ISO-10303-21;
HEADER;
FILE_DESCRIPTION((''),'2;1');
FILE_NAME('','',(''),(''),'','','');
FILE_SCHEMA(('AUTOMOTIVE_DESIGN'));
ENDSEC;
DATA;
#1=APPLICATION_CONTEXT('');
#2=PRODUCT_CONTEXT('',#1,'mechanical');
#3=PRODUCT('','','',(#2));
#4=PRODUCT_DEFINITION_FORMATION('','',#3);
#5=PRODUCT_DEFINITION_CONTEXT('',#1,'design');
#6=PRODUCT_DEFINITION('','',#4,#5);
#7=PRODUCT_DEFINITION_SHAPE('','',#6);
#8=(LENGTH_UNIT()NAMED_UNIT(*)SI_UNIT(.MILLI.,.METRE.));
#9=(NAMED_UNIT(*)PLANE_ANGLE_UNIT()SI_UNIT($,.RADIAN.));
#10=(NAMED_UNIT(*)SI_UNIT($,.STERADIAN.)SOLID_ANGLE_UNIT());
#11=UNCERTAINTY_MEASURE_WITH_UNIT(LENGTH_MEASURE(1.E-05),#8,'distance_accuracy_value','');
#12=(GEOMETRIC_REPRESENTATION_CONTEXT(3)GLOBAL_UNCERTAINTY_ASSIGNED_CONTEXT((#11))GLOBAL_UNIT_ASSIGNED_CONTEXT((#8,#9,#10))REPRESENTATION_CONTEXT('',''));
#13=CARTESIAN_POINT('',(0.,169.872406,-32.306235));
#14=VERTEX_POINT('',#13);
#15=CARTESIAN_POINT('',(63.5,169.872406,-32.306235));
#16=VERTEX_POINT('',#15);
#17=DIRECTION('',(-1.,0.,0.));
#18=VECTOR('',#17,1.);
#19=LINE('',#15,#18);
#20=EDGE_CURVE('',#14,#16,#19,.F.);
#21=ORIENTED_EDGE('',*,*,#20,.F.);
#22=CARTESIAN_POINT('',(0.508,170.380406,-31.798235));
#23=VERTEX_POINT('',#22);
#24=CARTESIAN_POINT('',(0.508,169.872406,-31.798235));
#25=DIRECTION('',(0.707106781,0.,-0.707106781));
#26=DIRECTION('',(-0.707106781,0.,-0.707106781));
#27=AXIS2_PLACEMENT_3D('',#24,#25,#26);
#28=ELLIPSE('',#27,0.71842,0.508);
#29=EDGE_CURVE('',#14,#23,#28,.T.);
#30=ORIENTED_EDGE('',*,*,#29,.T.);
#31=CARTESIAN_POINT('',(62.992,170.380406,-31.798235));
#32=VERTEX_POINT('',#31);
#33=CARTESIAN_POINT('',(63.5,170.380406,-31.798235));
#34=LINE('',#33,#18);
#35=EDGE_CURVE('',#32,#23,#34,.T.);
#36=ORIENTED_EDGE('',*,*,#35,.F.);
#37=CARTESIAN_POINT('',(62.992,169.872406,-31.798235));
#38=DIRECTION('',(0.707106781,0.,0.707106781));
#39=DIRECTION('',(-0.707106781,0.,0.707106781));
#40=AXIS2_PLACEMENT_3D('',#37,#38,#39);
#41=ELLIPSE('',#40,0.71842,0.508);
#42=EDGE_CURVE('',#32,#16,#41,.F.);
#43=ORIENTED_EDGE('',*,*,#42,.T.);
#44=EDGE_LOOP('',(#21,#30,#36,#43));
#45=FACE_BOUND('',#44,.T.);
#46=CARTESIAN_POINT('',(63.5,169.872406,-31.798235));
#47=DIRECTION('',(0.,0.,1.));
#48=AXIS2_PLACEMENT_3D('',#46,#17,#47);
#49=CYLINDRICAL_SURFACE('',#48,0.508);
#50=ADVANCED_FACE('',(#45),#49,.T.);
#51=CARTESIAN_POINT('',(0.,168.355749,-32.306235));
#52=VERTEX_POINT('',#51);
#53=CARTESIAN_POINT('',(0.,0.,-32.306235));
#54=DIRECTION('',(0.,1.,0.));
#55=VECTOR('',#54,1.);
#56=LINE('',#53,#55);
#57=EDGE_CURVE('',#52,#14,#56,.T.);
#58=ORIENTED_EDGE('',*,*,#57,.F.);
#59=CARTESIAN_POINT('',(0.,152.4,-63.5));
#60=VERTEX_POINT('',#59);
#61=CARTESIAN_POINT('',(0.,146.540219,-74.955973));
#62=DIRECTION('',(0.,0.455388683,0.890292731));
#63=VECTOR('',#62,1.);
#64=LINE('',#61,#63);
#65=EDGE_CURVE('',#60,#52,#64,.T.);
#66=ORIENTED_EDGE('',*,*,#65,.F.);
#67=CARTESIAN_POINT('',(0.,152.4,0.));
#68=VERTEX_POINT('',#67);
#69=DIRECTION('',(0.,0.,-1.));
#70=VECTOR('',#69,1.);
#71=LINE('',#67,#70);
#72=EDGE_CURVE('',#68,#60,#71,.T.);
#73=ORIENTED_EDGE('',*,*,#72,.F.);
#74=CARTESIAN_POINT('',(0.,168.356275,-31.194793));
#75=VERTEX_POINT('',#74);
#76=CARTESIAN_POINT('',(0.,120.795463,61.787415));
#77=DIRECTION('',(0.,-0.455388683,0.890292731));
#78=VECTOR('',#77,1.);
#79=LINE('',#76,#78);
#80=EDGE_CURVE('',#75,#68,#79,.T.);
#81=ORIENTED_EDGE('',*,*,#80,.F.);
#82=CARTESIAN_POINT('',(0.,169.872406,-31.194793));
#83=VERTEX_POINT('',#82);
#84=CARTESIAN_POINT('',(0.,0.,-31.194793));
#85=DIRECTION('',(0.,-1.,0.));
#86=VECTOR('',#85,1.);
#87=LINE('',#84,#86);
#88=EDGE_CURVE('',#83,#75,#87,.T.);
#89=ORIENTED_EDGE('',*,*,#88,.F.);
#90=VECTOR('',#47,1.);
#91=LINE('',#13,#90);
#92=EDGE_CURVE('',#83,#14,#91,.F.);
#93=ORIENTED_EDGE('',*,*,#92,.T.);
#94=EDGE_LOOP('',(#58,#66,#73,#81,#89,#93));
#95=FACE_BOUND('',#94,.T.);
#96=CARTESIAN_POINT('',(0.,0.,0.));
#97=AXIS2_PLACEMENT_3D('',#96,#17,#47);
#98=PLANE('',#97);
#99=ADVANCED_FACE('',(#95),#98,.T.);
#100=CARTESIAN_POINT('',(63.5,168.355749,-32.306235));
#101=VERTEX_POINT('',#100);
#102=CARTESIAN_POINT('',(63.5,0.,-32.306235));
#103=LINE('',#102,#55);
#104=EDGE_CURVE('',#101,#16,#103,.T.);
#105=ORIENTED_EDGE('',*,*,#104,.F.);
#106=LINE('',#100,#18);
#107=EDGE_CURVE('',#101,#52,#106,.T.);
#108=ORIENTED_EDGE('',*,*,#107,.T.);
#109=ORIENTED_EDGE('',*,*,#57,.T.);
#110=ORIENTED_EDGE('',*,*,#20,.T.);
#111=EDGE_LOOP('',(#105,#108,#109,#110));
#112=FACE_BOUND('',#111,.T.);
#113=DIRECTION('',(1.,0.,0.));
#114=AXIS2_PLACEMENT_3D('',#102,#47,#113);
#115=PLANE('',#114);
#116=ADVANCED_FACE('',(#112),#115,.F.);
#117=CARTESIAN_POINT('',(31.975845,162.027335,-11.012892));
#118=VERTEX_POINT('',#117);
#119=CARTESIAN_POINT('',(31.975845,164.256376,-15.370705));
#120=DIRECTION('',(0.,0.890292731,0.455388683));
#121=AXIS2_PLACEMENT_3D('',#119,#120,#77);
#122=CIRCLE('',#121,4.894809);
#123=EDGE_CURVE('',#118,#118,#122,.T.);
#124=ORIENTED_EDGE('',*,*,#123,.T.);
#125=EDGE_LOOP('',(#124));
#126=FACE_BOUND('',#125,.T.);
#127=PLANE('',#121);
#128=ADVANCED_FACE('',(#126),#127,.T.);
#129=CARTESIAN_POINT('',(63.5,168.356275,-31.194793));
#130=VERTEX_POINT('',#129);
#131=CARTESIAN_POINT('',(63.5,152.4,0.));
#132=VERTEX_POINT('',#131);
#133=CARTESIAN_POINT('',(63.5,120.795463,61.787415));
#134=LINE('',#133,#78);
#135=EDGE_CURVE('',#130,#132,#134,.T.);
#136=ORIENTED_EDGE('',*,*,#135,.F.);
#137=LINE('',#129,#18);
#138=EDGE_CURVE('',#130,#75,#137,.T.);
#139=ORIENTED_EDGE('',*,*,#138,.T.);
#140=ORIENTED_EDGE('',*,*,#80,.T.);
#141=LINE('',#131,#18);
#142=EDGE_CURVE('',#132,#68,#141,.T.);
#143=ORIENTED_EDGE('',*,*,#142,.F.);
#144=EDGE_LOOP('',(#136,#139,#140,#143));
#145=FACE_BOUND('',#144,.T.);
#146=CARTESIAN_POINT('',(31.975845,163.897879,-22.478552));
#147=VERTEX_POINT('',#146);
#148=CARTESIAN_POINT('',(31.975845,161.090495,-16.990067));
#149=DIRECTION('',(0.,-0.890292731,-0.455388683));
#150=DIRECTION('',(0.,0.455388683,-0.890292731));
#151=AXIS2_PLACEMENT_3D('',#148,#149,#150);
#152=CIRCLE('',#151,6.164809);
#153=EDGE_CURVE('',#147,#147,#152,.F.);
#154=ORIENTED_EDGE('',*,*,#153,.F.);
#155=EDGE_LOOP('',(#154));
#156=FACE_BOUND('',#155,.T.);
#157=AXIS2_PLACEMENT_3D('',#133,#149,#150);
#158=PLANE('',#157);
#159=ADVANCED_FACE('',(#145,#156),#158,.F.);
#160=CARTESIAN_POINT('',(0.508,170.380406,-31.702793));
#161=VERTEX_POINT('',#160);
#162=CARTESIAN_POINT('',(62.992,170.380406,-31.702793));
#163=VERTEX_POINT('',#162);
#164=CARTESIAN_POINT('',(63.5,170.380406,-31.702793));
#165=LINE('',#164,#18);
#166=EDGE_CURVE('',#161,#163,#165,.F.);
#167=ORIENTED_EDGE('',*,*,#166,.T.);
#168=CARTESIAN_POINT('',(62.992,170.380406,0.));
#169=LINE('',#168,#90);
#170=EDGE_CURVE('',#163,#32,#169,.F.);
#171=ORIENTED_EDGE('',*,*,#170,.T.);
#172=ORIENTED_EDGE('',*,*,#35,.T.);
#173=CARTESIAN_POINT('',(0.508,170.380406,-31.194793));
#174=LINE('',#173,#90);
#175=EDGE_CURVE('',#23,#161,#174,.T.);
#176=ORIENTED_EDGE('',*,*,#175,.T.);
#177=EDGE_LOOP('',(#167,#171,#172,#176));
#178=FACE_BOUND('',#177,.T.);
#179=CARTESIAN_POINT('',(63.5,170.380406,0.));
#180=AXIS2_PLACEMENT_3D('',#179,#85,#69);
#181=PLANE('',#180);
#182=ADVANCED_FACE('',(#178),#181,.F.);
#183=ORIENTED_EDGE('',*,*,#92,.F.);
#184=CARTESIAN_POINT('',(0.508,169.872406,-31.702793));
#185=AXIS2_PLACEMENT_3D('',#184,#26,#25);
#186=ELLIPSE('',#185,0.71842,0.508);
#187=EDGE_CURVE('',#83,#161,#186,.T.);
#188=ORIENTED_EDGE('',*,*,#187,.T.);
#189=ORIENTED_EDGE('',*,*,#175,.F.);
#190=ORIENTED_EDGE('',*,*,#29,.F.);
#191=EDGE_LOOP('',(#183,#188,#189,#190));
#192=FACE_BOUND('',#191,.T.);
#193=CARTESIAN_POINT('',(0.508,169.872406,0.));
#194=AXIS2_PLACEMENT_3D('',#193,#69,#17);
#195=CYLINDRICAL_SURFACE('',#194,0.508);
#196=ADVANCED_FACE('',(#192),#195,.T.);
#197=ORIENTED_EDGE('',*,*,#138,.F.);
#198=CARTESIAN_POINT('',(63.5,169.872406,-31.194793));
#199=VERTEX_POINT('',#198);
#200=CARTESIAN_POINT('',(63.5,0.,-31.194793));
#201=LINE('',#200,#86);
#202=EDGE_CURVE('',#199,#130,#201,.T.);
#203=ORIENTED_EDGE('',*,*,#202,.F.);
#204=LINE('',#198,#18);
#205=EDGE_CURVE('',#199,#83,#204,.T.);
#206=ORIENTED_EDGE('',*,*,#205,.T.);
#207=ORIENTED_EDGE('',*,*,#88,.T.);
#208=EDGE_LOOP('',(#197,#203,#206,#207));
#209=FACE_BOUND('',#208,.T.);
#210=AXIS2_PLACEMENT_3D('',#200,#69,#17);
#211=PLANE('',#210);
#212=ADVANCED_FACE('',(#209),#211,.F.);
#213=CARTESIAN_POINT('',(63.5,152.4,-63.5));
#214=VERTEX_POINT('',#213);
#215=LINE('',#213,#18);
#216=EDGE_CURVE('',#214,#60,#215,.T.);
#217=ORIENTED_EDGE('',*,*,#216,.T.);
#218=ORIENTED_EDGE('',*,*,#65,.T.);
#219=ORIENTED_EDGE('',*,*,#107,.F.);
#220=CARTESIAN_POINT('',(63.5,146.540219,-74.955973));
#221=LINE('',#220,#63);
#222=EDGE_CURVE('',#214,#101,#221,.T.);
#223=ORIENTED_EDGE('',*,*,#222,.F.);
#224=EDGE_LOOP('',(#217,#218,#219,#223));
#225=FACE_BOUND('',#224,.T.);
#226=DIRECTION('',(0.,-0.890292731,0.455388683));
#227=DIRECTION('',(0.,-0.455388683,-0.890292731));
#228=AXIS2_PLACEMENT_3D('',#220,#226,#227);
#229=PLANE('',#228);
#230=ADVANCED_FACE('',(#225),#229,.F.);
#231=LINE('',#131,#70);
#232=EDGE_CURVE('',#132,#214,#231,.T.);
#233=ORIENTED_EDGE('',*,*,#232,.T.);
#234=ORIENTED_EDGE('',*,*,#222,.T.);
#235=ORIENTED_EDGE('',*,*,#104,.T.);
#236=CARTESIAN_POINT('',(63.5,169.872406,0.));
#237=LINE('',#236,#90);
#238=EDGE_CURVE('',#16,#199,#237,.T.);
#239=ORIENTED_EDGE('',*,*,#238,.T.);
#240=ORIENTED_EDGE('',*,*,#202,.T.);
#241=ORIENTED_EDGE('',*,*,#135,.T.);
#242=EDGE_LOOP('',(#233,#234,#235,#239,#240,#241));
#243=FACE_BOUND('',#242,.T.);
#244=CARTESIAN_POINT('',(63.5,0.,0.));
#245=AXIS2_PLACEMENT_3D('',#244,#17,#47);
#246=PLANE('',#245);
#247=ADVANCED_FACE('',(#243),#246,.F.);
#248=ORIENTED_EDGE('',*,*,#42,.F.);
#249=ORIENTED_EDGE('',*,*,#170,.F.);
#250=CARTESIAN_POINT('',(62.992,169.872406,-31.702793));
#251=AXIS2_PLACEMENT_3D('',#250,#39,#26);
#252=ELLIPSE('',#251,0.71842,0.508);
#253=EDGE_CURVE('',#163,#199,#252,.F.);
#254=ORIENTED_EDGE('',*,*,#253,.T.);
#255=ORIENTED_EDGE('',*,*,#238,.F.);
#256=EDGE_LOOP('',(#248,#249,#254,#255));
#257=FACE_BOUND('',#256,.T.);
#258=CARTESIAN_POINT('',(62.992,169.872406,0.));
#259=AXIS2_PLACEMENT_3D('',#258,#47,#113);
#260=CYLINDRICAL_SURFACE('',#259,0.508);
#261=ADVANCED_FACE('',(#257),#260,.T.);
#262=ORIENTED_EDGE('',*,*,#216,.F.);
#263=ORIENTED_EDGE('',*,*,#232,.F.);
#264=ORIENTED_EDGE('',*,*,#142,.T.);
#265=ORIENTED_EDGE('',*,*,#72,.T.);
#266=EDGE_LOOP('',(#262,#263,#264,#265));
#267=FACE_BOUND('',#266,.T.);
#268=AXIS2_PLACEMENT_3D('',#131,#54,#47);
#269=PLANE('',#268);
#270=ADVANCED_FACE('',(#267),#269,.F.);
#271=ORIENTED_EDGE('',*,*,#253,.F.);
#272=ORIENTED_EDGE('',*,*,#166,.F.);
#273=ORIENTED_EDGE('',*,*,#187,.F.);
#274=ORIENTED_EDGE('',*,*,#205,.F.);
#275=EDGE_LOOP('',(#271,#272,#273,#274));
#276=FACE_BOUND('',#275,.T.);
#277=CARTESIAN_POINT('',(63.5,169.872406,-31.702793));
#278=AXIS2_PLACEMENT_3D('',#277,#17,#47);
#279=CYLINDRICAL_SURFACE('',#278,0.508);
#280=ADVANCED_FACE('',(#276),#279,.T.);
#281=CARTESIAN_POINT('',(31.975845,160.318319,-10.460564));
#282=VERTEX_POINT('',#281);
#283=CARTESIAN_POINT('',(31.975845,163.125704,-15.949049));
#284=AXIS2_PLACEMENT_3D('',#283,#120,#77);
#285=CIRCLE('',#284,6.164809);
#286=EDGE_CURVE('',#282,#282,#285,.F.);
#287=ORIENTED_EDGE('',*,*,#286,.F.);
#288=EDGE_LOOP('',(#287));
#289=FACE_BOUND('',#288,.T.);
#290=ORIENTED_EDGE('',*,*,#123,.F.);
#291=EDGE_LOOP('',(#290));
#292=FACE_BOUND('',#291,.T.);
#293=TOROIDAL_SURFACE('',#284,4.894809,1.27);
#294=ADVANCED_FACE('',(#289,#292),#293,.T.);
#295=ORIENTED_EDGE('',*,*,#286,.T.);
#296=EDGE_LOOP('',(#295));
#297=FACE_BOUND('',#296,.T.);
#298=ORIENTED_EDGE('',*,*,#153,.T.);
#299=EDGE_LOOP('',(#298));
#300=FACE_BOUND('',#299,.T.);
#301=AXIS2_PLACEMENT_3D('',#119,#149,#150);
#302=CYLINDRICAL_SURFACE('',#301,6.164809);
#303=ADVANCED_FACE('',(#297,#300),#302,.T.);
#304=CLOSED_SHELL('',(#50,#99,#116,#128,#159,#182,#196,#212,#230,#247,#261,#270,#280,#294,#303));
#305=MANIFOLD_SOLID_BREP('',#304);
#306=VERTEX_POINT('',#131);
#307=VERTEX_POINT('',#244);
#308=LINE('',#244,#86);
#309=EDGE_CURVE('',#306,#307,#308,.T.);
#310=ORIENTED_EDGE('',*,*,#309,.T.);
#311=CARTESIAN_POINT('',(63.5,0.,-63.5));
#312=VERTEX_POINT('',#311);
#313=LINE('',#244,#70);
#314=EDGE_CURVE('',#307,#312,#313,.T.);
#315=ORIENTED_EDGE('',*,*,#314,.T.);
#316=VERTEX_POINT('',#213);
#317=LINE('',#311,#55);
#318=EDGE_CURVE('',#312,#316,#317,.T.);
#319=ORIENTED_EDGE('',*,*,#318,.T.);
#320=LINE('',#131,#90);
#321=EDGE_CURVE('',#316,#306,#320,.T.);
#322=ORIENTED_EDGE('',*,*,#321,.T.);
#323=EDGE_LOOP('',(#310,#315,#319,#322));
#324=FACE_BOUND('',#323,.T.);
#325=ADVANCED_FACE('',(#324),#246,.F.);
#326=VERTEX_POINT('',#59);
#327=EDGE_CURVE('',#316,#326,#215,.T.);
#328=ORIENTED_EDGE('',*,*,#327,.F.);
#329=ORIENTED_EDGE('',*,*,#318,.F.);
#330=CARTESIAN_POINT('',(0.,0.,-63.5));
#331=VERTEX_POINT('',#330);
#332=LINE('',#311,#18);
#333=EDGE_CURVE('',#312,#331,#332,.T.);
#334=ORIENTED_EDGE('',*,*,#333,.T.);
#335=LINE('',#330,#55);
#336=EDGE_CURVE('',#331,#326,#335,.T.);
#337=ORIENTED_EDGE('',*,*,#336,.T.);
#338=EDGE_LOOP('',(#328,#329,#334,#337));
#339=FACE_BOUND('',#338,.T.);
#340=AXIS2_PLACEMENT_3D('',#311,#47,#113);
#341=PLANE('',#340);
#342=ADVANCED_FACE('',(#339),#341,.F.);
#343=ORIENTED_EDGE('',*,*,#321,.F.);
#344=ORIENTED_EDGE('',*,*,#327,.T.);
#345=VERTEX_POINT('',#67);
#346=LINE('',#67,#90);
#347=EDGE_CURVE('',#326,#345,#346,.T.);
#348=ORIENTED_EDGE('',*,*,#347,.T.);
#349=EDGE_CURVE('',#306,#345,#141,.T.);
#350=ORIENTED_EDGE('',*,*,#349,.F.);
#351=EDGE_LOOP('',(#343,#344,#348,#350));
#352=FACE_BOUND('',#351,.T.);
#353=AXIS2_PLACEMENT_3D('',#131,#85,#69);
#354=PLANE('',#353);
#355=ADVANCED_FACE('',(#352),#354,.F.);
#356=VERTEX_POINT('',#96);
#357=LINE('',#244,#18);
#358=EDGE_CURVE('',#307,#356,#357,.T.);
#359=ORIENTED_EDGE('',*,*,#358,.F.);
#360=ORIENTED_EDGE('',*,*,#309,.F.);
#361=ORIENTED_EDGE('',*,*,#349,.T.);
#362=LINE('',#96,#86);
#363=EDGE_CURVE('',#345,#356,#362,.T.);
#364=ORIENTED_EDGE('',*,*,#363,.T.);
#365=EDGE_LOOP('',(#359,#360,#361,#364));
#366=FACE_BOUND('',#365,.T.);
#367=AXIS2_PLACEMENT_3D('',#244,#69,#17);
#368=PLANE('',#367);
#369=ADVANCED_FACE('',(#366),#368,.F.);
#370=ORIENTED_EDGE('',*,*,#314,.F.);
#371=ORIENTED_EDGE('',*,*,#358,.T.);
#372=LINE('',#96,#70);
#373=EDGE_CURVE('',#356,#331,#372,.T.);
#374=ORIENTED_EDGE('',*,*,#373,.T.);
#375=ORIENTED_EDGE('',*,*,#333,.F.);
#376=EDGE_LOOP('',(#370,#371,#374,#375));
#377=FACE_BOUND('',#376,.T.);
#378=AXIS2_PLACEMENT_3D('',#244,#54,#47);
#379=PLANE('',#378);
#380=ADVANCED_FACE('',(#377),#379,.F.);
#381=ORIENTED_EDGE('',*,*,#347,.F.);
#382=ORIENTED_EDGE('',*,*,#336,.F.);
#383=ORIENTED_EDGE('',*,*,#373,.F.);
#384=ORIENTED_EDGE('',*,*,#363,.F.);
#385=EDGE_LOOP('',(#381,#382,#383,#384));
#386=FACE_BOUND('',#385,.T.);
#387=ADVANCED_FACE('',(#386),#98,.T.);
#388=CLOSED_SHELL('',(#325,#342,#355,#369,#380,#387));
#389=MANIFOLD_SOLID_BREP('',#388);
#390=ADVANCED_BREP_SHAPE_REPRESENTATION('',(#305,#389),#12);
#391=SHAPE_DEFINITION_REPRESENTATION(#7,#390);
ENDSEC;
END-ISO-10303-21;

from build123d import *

# Parameters (mm, degrees)
SKETCH3_W           = 63.5
SKETCH3_H           = 152.4
BOSS_EXTRUDE3_DEPTH = 63.5
BOSS_EXTRUDE5_DEPTH = 63.5
FILLET5_R           = 0.508
SKETCH6_R           = 6.164809323
BOSS_EXTRUDE6_DEPTH = 3.556
FILLET6_R           = 1.27


with BuildPart() as part:
    # Sketch3 → Boss-Extrude3 (new body)
    with BuildSketch(Plane(origin=(0, 0, 0), x_dir=(0, 0, -1), z_dir=(1, 0, 0))):
        with Locations((31.75, 76.2)):
            Rectangle(SKETCH3_W, SKETCH3_H)
    extrude(amount=BOSS_EXTRUDE3_DEPTH)


with BuildPart() as body_2:
    # Sketch5 → Boss-Extrude5 (new body)
    with BuildSketch(Plane.ZY):
        Polygon((-31.75, 168.640265914), (0, 152.4), (-63.5, 152.4), align=None)
        Polygon((-32.306234982, 170.380405738), (-32.306234982, 168.355749252), (-31.75, 168.640265914), (-31.194792849, 168.356274992), (-31.194792849, 170.380405738), align=None)
    extrude(amount=-BOSS_EXTRUDE5_DEPTH)

    # Fillet5
    fillet5_edges = [body_2.edges().sort_by_distance(p)[0] for p in [
        (31.75, 170.380405738, -32.306234982),
        (31.75, 170.380405738, -31.194792849),
        (63.5, 170.380405738, -31.750513916),
        (0, 170.380405738, -31.750513916),
    ]]
    fillet(fillet5_edges, radius=FILLET5_R)

    # Sketch6 → Boss-Extrude6 (add)
    with BuildSketch(Plane(origin=(0, 120.795462819, 61.787415352), x_dir=(1, 0, 0), z_dir=(0, 0.8902927311327395, 0.4553886833159204))):
        with Locations(Location((31.975845376, 88.484921492, 0), (0, 0, 90))):
            Circle(SKETCH6_R)
    extrude(amount=BOSS_EXTRUDE6_DEPTH)

    # Fillet6
    fillet6_edges = [body_2.edges().sort_by_distance(p)[0] for p in [
        (31.975845376, 161.448991262, -9.882219979),
    ]]
    fillet(fillet6_edges, radius=FILLET6_R)


solid = Compound([part.part, body_2.part])
